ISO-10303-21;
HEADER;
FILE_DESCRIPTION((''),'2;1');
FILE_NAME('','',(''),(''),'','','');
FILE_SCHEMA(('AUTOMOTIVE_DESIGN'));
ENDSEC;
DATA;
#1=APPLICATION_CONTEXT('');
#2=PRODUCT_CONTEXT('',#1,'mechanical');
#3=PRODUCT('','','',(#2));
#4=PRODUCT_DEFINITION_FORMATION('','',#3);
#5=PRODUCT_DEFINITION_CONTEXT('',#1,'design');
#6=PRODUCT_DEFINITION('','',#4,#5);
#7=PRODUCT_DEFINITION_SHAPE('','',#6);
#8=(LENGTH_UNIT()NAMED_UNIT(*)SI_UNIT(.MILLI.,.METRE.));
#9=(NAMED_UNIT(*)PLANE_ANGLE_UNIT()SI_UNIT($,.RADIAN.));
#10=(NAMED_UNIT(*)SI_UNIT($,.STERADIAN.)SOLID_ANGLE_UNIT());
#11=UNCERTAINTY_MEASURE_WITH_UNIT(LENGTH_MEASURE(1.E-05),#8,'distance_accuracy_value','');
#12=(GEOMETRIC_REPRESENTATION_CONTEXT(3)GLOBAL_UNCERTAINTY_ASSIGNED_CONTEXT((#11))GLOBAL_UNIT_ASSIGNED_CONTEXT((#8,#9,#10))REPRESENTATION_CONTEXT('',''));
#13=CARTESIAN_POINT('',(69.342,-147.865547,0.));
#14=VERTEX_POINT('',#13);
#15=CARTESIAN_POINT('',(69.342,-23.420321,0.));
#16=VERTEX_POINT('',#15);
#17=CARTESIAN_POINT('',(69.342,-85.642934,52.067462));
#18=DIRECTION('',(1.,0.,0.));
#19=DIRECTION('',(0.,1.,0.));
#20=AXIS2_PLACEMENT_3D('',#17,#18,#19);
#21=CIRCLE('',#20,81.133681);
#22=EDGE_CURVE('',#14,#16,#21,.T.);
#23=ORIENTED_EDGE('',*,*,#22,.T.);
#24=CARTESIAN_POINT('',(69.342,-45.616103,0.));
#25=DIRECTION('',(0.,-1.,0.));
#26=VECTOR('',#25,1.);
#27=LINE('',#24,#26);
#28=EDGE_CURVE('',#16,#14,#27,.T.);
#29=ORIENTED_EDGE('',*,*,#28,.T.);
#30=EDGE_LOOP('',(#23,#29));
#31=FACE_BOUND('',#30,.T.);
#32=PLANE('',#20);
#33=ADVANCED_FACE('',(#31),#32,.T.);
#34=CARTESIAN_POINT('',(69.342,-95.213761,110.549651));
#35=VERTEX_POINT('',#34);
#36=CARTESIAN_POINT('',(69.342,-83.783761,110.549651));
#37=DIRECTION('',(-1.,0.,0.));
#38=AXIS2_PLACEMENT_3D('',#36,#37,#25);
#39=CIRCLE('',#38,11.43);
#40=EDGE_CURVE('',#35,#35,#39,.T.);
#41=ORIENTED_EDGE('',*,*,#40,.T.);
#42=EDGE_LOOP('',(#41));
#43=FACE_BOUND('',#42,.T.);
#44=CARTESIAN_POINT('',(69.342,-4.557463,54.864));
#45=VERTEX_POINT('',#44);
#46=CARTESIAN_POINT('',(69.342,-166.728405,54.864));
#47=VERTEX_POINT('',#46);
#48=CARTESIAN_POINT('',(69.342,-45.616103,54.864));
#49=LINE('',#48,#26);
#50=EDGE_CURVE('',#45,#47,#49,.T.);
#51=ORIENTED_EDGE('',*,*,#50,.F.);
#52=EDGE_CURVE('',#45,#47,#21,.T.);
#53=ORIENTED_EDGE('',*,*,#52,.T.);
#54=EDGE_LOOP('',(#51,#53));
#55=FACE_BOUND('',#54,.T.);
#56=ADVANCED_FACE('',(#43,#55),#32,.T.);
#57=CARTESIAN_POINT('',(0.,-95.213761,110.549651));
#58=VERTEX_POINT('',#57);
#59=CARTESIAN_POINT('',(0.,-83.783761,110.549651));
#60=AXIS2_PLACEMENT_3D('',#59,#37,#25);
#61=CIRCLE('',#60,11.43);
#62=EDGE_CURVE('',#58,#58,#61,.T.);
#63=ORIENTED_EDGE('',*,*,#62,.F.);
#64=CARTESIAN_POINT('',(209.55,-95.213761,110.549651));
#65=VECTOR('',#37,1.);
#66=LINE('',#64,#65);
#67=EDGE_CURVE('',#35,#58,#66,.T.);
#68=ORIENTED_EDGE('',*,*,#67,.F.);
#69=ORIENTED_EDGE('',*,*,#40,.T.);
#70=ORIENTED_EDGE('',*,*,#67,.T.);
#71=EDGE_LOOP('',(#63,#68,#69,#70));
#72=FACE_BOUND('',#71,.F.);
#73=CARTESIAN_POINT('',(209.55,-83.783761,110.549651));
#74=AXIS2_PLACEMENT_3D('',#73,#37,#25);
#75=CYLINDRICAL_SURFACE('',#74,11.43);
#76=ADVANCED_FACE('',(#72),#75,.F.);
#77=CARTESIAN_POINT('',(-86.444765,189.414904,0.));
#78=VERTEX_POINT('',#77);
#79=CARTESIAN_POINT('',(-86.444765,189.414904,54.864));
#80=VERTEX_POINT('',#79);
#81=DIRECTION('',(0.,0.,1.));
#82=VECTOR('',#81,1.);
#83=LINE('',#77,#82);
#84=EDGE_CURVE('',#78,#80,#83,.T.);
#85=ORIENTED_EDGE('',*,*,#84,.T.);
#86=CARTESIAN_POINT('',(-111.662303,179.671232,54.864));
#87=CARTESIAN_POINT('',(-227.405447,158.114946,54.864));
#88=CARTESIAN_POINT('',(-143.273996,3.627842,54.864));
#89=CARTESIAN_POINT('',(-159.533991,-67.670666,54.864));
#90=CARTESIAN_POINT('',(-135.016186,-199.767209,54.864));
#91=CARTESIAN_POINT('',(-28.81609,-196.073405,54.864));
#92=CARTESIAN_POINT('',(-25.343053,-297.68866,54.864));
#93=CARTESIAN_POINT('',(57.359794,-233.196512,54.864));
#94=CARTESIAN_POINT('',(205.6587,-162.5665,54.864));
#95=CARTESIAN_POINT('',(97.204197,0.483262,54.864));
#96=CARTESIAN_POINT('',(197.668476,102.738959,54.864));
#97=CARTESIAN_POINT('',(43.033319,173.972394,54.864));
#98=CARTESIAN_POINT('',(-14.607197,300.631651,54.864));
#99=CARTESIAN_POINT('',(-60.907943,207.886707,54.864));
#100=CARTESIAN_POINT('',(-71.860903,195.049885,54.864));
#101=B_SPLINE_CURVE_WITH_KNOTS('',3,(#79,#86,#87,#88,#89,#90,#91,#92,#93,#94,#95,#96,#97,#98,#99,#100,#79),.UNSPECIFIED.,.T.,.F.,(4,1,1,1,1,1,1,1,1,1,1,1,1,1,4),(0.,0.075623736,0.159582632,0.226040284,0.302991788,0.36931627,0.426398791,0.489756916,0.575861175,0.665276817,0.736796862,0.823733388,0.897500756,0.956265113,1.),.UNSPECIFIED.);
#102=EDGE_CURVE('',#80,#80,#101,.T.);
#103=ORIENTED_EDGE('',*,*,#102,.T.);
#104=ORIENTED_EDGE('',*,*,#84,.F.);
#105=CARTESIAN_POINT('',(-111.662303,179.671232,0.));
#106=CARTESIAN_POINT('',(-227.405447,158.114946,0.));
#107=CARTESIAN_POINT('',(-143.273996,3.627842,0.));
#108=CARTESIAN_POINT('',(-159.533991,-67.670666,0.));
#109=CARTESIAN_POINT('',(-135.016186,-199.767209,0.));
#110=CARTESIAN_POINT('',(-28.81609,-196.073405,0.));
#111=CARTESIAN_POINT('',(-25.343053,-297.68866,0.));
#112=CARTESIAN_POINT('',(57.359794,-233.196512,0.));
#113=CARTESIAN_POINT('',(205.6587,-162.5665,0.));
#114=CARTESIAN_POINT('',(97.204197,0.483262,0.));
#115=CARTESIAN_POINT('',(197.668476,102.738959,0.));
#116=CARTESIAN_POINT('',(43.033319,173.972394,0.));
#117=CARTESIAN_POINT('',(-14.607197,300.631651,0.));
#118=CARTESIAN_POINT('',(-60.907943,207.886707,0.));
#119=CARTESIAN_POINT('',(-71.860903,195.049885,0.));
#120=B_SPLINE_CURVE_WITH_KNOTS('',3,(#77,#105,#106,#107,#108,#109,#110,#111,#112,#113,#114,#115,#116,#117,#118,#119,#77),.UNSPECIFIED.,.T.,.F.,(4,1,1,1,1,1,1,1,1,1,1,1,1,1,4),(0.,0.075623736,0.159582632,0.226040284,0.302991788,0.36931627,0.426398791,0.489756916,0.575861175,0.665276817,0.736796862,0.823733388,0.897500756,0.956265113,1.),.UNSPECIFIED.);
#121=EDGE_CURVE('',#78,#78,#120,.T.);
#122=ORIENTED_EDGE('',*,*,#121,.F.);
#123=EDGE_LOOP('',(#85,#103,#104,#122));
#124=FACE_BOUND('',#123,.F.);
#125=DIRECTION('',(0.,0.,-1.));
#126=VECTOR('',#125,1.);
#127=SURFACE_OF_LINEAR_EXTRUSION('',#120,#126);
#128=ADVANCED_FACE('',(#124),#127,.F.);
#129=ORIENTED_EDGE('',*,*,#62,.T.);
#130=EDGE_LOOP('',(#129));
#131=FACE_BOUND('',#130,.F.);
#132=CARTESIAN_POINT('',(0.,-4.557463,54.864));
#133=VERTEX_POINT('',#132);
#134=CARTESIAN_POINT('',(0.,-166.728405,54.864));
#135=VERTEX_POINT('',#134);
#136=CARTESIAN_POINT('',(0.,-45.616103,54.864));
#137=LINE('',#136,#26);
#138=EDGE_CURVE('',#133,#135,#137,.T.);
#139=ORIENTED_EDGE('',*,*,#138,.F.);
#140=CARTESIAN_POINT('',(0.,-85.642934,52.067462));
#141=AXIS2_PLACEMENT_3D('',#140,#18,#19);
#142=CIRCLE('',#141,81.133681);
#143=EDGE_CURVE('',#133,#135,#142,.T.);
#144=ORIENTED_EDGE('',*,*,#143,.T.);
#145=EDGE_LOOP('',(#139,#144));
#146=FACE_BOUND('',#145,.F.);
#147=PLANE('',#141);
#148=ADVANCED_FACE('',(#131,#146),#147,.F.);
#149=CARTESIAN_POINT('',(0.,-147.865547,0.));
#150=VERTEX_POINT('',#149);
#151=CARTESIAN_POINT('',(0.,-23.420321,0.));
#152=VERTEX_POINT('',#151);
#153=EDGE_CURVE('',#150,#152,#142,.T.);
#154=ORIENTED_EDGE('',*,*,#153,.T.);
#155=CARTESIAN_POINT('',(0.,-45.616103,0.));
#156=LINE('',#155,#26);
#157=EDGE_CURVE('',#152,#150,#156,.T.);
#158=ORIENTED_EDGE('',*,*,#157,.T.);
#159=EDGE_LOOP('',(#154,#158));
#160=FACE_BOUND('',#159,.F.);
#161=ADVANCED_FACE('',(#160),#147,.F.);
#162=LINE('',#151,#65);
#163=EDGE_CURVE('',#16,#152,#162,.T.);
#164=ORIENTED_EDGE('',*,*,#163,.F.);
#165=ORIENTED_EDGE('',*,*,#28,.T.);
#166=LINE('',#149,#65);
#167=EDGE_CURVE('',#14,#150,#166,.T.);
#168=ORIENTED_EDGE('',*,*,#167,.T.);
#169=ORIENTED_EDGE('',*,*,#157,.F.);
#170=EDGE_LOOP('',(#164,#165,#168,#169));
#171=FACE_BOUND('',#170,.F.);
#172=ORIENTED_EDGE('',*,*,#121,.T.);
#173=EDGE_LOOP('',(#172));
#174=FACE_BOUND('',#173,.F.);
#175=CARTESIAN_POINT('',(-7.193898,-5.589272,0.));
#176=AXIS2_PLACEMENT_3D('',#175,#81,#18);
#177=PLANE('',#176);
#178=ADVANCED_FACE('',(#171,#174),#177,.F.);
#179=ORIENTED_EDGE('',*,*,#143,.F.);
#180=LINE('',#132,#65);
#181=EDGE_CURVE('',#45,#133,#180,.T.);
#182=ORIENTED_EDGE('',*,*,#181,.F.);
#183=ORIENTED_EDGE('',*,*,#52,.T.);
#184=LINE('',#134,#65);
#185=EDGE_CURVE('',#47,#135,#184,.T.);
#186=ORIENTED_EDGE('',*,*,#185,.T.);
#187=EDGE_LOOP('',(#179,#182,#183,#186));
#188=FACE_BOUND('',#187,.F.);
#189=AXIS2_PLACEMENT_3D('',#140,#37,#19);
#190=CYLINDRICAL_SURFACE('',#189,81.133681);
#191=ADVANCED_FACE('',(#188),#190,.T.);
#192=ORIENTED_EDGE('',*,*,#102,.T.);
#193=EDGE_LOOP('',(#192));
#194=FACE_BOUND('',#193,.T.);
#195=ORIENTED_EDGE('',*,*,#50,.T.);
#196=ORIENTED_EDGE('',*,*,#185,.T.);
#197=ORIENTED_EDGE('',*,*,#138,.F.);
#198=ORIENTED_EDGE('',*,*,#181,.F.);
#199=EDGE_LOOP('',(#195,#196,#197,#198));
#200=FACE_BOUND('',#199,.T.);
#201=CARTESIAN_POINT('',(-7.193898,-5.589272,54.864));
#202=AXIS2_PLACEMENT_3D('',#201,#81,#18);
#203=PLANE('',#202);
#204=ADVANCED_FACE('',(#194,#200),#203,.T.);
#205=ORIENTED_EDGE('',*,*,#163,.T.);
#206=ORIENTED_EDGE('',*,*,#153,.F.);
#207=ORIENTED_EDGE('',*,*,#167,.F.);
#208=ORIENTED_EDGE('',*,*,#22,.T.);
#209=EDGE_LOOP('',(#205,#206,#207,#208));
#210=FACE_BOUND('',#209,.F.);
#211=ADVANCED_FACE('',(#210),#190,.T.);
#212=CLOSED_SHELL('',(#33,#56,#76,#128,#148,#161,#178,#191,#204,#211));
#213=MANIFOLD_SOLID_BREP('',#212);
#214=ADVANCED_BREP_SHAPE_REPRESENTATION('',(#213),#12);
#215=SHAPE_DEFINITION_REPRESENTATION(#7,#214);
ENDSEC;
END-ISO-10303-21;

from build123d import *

# Parameters (mm, degrees)
F0_R           = 81.1336812915
F1_DEPTH       = 69.342
F3_DEPTH       = 54.864
F5_D           = 21.59
F5_CBORE_D     = 22.86
F5_CBORE_DEPTH = 209.55


with BuildPart() as f1:
    # F0 (on Right) → F1 (new body)
    with BuildSketch(Plane.YZ):
        with Locations((-85.6429338455, 52.0674623549)):
            Circle(F0_R)
    extrude(amount=F1_DEPTH)

    # F2 (on Top) → F3 (join)
    with BuildSketch(Plane.XY):
        with BuildLine():
            add(Edge.make_bspline(
                [(-86.4447653294, 189.4149035215), (-111.6623027354, 179.6712323279), (-227.4054472197, 158.1149458921), (-143.2739960259, 3.6278419253), (-159.5339905629, -67.6706664975), (-135.0161860693, -199.7672086572), (-28.8160898724, -196.0734050181), (-25.3430529957, -297.6886603908), (57.3597939232, -233.1965122554), (205.6586996768, -162.5664995648), (97.2041974943, 0.4832615369), (197.6684761966, 102.7389586736), (43.0333191672, 173.9723938457), (-14.6071974578, 300.631651393), (-60.9079426691, 207.8867068181), (-71.8609032785, 195.0498850136), (-86.4447653294, 189.4149035215)],
                knots=[0, 0, 0, 0, 0.0756237363, 0.1595826322, 0.2260402841, 0.3029917876, 0.3693162704, 0.4263987914, 0.4897569163, 0.5758611747, 0.6652768165, 0.7367968624, 0.8237333884, 0.8975007561, 0.9562651134, 1, 1, 1, 1], degree=3))
        make_face()
    extrude(amount=F3_DEPTH)

    # F5 (through all)
    with Locations(Plane(origin=(0, 0, 0), x_dir=(0, -1, 0), z_dir=(-1, 0, 0))):
        with Locations((83.7837606668, 110.5496510863)):
            CounterBoreHole(F5_D / 2, F5_CBORE_D / 2, F5_CBORE_DEPTH)


solid = f1.part
